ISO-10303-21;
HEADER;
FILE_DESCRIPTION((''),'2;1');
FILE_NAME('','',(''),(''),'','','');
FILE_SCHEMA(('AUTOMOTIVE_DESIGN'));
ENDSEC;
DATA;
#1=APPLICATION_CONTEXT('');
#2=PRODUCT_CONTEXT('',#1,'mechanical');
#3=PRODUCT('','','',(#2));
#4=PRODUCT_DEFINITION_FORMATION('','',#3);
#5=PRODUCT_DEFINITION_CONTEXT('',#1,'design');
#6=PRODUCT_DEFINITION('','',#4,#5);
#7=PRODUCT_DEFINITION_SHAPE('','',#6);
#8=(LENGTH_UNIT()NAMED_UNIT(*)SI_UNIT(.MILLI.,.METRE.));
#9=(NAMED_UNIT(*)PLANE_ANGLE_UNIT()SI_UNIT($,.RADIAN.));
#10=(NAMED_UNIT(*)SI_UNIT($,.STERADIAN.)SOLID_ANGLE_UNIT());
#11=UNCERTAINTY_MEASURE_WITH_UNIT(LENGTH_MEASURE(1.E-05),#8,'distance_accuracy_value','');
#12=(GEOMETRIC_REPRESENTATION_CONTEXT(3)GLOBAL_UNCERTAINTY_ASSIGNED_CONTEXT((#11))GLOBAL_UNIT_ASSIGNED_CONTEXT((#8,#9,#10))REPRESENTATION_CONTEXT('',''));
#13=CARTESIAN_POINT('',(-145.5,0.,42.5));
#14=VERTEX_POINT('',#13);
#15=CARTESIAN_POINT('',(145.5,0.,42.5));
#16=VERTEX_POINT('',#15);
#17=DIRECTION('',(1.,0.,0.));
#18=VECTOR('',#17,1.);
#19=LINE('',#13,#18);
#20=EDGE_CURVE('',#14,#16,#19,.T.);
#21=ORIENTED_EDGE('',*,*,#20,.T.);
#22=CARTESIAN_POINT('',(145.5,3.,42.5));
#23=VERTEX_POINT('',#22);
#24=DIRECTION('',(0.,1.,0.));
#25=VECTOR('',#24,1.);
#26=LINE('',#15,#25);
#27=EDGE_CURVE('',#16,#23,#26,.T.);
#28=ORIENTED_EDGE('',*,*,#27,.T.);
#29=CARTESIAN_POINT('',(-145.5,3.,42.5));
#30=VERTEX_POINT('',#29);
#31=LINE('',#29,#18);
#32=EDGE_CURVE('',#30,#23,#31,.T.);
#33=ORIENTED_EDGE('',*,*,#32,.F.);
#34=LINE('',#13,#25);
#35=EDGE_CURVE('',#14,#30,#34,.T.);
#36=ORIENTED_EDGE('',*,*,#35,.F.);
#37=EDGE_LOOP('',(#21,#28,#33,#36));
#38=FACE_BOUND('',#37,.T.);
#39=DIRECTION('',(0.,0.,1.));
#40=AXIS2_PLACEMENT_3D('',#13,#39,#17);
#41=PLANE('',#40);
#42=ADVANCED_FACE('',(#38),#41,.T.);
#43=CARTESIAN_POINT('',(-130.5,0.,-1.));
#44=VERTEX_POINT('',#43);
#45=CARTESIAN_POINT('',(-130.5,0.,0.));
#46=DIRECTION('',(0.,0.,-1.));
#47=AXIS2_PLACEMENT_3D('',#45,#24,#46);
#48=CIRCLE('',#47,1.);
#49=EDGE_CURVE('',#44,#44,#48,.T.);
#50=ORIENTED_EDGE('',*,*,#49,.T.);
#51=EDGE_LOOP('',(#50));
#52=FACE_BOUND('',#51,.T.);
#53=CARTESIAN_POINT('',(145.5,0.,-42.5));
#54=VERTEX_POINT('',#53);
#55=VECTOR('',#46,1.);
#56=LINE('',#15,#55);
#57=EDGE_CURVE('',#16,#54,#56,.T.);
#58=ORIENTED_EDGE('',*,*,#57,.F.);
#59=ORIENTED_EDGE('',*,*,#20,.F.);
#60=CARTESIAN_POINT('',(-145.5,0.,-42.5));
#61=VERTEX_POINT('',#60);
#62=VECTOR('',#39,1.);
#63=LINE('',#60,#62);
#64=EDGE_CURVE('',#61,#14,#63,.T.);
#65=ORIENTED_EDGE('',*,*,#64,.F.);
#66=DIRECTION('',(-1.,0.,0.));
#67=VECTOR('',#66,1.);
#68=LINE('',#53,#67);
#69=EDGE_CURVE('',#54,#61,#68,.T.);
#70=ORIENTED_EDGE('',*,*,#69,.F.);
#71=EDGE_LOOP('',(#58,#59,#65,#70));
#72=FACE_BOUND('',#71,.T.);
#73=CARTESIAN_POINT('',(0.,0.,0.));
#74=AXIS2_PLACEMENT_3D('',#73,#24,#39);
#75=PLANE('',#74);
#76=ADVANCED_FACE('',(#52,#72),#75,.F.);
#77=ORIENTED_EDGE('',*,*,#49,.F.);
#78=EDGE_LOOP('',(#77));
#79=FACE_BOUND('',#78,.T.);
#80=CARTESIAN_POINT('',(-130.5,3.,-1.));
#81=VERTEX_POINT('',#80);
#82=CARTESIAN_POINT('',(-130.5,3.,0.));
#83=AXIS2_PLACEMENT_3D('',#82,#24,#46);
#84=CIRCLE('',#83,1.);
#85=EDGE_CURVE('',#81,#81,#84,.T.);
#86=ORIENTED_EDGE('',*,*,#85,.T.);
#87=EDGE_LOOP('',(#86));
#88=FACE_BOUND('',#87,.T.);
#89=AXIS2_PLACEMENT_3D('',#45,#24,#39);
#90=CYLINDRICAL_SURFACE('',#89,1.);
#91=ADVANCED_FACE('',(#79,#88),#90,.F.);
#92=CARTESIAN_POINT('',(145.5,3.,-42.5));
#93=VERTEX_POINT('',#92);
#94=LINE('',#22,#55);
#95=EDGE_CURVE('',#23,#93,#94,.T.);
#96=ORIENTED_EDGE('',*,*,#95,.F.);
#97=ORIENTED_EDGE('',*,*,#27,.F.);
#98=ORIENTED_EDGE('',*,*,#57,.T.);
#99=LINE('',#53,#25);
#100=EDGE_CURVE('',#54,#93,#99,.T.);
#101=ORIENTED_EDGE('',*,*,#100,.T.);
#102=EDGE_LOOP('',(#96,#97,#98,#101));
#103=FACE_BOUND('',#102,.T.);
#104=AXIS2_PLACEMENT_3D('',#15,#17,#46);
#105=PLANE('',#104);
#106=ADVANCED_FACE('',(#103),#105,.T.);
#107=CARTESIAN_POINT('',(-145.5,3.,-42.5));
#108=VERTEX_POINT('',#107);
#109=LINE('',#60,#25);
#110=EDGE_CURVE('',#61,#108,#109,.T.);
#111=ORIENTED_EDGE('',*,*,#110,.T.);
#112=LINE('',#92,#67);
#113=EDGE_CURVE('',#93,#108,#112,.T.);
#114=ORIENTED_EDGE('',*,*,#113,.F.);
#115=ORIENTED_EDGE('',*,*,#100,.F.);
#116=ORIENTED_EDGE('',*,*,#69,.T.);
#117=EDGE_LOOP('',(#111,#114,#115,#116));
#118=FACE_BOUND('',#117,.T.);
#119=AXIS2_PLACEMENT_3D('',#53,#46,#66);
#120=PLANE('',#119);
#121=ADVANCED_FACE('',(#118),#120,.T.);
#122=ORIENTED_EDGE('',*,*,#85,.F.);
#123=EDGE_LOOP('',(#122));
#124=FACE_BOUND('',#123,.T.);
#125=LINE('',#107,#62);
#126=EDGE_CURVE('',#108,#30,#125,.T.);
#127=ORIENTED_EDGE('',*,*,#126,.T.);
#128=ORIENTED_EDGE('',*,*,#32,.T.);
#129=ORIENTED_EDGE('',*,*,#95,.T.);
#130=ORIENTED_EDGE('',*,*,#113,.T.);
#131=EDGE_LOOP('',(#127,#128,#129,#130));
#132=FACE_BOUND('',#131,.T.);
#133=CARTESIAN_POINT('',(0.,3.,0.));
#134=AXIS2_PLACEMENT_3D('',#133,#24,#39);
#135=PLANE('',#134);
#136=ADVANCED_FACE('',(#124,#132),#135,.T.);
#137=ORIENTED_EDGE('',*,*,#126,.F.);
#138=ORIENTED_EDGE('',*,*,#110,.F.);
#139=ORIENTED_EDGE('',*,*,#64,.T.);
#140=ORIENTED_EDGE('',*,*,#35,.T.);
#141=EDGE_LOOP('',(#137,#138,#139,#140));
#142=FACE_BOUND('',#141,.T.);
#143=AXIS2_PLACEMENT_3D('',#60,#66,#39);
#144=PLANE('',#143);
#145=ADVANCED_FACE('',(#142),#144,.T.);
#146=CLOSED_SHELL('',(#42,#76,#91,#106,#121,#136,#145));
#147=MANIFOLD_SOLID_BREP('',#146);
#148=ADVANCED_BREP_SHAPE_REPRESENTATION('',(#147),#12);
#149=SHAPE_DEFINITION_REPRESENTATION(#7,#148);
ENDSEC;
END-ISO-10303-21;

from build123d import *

# Parameters (mm, degrees)
SKETCH1_W           = 291
SKETCH1_H           = 85
SKETCH1_R           = 1
BOSS_EXTRUDE1_DEPTH = 3


with BuildPart() as part:
    # Sketch1 → Boss-Extrude1 (new body)
    with BuildSketch(Plane(origin=(0, 3, 0), x_dir=(1, 0, 0), z_dir=(0, 1, 0))):
        Rectangle(SKETCH1_W, SKETCH1_H)
        with Locations((-130.5, 0)):
            Circle(SKETCH1_R, mode=Mode.SUBTRACT)
    extrude(amount=-BOSS_EXTRUDE1_DEPTH)


solid = part.part
